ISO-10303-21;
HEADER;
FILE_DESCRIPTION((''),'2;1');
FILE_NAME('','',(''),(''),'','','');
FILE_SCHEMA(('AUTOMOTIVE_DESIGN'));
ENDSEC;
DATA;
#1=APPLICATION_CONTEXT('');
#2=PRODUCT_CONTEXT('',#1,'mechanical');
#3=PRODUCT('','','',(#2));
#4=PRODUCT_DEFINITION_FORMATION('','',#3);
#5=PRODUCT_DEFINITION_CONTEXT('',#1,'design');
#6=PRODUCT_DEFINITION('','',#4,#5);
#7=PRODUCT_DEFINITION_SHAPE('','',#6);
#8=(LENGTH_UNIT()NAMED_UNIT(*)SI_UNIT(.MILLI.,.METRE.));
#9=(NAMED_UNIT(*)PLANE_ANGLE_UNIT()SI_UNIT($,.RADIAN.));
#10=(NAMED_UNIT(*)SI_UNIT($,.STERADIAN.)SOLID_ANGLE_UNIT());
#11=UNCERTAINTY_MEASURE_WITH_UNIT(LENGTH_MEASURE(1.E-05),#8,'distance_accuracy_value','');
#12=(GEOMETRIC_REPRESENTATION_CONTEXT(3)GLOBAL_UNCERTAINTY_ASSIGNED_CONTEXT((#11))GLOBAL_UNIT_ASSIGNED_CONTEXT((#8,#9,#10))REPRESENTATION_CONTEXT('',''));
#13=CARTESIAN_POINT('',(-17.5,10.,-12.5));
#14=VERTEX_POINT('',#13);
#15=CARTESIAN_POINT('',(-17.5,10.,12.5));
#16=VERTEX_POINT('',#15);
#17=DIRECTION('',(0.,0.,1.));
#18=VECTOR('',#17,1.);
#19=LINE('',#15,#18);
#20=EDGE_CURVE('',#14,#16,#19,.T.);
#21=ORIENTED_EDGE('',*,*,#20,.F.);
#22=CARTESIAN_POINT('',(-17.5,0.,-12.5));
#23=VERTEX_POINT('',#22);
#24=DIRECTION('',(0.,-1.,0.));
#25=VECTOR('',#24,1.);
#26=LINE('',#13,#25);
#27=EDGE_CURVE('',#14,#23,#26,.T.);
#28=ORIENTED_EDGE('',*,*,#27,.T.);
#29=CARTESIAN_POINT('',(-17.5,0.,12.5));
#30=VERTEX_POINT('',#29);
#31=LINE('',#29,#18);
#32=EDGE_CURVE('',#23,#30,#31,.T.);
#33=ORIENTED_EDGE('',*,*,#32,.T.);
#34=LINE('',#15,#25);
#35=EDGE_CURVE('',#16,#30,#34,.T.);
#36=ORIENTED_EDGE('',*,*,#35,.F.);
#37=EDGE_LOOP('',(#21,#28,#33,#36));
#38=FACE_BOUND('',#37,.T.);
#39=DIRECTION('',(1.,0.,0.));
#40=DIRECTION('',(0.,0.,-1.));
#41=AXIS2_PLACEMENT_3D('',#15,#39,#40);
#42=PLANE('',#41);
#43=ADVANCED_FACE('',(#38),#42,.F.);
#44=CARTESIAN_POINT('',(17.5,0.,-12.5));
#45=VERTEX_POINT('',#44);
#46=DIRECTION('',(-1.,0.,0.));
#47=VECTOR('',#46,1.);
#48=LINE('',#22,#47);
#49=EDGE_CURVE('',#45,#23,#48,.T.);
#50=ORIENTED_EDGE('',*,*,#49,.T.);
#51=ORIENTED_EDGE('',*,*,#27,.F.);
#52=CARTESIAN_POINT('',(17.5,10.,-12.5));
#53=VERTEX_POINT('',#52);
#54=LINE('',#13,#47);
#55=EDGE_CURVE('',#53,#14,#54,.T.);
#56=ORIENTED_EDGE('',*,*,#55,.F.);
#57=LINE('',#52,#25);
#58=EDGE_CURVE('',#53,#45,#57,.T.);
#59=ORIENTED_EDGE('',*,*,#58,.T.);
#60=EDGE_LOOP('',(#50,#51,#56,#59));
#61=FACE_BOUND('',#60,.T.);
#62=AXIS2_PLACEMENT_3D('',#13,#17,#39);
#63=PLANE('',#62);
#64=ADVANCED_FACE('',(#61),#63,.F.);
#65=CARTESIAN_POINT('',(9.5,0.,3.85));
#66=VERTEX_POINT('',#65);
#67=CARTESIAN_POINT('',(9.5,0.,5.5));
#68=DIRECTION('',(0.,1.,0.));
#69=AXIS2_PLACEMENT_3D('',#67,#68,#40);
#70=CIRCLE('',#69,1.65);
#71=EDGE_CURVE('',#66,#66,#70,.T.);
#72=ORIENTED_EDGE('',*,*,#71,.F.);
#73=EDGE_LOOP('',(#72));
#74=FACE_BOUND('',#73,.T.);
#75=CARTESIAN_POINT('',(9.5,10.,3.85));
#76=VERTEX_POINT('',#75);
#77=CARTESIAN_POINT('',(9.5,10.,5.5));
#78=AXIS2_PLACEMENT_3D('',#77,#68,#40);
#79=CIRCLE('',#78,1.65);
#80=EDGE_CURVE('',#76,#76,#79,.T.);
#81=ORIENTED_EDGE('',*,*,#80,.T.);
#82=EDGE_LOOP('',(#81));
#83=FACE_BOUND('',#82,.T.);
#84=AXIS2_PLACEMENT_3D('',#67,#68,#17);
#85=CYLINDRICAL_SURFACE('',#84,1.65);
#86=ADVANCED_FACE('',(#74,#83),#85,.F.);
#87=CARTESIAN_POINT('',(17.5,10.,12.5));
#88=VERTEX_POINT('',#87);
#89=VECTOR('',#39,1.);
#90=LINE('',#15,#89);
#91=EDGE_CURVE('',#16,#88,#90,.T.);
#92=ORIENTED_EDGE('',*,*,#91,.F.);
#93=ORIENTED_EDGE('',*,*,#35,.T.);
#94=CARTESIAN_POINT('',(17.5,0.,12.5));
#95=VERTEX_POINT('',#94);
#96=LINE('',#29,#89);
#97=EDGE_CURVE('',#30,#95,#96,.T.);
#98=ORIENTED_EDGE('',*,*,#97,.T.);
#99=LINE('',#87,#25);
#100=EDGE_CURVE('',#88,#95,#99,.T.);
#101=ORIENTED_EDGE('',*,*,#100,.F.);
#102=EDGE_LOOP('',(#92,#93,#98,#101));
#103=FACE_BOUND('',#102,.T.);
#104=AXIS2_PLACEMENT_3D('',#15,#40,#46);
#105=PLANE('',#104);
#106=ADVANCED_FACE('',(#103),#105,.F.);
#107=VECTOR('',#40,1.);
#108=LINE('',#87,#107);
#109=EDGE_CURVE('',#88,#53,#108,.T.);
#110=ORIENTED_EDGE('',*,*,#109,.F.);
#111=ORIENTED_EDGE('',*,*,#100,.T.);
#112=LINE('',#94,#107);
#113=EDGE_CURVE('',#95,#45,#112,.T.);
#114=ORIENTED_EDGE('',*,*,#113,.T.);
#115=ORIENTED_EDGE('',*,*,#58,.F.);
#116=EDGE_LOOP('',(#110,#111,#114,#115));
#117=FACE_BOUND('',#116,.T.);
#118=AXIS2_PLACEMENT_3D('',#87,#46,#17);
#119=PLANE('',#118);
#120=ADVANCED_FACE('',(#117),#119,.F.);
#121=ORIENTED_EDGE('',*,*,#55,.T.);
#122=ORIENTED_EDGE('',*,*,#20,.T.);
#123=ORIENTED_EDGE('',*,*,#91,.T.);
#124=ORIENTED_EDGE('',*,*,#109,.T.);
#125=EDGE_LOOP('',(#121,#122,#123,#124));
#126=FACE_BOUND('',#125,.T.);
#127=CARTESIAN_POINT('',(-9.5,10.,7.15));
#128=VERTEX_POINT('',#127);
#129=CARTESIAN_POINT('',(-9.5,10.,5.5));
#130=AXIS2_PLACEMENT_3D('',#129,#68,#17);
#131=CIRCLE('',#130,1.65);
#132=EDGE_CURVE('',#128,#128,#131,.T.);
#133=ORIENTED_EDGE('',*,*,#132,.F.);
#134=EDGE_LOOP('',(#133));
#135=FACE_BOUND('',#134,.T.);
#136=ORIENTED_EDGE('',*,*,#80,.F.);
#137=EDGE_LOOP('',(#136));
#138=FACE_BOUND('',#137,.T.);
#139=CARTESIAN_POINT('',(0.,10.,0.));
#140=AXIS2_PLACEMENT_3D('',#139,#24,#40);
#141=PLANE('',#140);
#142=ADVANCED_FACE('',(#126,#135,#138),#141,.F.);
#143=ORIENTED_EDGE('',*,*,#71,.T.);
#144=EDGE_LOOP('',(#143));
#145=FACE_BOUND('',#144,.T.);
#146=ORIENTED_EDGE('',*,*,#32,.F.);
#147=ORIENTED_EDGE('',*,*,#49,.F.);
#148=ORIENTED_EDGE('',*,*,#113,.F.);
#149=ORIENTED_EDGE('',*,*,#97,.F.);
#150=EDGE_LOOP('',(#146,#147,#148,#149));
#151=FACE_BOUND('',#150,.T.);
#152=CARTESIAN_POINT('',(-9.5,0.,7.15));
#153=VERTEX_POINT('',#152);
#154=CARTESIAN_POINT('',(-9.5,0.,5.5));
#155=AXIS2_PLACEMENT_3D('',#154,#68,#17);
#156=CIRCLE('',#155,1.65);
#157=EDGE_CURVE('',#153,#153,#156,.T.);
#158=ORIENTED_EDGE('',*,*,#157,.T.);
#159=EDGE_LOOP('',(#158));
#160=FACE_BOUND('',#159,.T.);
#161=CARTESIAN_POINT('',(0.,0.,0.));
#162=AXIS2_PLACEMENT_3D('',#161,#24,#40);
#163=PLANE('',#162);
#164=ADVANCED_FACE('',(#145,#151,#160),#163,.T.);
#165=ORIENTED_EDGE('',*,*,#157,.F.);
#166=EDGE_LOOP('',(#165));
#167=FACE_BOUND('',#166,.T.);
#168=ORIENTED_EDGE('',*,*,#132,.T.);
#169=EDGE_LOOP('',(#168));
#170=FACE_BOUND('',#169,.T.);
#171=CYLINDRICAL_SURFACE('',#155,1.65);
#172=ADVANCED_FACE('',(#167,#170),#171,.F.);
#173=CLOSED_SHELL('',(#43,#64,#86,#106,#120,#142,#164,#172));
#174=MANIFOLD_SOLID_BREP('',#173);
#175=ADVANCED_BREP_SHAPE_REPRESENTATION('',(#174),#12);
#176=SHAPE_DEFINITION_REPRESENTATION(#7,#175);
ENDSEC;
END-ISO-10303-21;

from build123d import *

# Parameters (mm, degrees)
ESQUISSE1_W             = 35
ESQUISSE1_H             = 25
BOSS_EXTRU_1_DEPTH      = 10
ESQUISSE2_R             = 1.65
ENL_V_MAT_EXTRU_1_DEPTH = 10


with BuildPart() as part:
    # Esquisse1 → Boss.-Extru.1 (new body)
    with BuildSketch(Plane(origin=(0, 0, 0), x_dir=(1, 0, 0), z_dir=(0, 1, 0))):
        Rectangle(ESQUISSE1_W, ESQUISSE1_H)
    extrude(amount=BOSS_EXTRU_1_DEPTH)

    # Esquisse2 → Enlèv. mat.-Extru.1 (cut)
    with BuildSketch(Plane(origin=(0, 10, 0), x_dir=(1, 0, 0), z_dir=(0, 1, 0))):
        with Locations((9.5, -5.5)):
            Circle(ESQUISSE2_R)
        with Locations((-9.5, -5.5)):
            Circle(ESQUISSE2_R)
    extrude(amount=-ENL_V_MAT_EXTRU_1_DEPTH, mode=Mode.SUBTRACT)


solid = part.part
